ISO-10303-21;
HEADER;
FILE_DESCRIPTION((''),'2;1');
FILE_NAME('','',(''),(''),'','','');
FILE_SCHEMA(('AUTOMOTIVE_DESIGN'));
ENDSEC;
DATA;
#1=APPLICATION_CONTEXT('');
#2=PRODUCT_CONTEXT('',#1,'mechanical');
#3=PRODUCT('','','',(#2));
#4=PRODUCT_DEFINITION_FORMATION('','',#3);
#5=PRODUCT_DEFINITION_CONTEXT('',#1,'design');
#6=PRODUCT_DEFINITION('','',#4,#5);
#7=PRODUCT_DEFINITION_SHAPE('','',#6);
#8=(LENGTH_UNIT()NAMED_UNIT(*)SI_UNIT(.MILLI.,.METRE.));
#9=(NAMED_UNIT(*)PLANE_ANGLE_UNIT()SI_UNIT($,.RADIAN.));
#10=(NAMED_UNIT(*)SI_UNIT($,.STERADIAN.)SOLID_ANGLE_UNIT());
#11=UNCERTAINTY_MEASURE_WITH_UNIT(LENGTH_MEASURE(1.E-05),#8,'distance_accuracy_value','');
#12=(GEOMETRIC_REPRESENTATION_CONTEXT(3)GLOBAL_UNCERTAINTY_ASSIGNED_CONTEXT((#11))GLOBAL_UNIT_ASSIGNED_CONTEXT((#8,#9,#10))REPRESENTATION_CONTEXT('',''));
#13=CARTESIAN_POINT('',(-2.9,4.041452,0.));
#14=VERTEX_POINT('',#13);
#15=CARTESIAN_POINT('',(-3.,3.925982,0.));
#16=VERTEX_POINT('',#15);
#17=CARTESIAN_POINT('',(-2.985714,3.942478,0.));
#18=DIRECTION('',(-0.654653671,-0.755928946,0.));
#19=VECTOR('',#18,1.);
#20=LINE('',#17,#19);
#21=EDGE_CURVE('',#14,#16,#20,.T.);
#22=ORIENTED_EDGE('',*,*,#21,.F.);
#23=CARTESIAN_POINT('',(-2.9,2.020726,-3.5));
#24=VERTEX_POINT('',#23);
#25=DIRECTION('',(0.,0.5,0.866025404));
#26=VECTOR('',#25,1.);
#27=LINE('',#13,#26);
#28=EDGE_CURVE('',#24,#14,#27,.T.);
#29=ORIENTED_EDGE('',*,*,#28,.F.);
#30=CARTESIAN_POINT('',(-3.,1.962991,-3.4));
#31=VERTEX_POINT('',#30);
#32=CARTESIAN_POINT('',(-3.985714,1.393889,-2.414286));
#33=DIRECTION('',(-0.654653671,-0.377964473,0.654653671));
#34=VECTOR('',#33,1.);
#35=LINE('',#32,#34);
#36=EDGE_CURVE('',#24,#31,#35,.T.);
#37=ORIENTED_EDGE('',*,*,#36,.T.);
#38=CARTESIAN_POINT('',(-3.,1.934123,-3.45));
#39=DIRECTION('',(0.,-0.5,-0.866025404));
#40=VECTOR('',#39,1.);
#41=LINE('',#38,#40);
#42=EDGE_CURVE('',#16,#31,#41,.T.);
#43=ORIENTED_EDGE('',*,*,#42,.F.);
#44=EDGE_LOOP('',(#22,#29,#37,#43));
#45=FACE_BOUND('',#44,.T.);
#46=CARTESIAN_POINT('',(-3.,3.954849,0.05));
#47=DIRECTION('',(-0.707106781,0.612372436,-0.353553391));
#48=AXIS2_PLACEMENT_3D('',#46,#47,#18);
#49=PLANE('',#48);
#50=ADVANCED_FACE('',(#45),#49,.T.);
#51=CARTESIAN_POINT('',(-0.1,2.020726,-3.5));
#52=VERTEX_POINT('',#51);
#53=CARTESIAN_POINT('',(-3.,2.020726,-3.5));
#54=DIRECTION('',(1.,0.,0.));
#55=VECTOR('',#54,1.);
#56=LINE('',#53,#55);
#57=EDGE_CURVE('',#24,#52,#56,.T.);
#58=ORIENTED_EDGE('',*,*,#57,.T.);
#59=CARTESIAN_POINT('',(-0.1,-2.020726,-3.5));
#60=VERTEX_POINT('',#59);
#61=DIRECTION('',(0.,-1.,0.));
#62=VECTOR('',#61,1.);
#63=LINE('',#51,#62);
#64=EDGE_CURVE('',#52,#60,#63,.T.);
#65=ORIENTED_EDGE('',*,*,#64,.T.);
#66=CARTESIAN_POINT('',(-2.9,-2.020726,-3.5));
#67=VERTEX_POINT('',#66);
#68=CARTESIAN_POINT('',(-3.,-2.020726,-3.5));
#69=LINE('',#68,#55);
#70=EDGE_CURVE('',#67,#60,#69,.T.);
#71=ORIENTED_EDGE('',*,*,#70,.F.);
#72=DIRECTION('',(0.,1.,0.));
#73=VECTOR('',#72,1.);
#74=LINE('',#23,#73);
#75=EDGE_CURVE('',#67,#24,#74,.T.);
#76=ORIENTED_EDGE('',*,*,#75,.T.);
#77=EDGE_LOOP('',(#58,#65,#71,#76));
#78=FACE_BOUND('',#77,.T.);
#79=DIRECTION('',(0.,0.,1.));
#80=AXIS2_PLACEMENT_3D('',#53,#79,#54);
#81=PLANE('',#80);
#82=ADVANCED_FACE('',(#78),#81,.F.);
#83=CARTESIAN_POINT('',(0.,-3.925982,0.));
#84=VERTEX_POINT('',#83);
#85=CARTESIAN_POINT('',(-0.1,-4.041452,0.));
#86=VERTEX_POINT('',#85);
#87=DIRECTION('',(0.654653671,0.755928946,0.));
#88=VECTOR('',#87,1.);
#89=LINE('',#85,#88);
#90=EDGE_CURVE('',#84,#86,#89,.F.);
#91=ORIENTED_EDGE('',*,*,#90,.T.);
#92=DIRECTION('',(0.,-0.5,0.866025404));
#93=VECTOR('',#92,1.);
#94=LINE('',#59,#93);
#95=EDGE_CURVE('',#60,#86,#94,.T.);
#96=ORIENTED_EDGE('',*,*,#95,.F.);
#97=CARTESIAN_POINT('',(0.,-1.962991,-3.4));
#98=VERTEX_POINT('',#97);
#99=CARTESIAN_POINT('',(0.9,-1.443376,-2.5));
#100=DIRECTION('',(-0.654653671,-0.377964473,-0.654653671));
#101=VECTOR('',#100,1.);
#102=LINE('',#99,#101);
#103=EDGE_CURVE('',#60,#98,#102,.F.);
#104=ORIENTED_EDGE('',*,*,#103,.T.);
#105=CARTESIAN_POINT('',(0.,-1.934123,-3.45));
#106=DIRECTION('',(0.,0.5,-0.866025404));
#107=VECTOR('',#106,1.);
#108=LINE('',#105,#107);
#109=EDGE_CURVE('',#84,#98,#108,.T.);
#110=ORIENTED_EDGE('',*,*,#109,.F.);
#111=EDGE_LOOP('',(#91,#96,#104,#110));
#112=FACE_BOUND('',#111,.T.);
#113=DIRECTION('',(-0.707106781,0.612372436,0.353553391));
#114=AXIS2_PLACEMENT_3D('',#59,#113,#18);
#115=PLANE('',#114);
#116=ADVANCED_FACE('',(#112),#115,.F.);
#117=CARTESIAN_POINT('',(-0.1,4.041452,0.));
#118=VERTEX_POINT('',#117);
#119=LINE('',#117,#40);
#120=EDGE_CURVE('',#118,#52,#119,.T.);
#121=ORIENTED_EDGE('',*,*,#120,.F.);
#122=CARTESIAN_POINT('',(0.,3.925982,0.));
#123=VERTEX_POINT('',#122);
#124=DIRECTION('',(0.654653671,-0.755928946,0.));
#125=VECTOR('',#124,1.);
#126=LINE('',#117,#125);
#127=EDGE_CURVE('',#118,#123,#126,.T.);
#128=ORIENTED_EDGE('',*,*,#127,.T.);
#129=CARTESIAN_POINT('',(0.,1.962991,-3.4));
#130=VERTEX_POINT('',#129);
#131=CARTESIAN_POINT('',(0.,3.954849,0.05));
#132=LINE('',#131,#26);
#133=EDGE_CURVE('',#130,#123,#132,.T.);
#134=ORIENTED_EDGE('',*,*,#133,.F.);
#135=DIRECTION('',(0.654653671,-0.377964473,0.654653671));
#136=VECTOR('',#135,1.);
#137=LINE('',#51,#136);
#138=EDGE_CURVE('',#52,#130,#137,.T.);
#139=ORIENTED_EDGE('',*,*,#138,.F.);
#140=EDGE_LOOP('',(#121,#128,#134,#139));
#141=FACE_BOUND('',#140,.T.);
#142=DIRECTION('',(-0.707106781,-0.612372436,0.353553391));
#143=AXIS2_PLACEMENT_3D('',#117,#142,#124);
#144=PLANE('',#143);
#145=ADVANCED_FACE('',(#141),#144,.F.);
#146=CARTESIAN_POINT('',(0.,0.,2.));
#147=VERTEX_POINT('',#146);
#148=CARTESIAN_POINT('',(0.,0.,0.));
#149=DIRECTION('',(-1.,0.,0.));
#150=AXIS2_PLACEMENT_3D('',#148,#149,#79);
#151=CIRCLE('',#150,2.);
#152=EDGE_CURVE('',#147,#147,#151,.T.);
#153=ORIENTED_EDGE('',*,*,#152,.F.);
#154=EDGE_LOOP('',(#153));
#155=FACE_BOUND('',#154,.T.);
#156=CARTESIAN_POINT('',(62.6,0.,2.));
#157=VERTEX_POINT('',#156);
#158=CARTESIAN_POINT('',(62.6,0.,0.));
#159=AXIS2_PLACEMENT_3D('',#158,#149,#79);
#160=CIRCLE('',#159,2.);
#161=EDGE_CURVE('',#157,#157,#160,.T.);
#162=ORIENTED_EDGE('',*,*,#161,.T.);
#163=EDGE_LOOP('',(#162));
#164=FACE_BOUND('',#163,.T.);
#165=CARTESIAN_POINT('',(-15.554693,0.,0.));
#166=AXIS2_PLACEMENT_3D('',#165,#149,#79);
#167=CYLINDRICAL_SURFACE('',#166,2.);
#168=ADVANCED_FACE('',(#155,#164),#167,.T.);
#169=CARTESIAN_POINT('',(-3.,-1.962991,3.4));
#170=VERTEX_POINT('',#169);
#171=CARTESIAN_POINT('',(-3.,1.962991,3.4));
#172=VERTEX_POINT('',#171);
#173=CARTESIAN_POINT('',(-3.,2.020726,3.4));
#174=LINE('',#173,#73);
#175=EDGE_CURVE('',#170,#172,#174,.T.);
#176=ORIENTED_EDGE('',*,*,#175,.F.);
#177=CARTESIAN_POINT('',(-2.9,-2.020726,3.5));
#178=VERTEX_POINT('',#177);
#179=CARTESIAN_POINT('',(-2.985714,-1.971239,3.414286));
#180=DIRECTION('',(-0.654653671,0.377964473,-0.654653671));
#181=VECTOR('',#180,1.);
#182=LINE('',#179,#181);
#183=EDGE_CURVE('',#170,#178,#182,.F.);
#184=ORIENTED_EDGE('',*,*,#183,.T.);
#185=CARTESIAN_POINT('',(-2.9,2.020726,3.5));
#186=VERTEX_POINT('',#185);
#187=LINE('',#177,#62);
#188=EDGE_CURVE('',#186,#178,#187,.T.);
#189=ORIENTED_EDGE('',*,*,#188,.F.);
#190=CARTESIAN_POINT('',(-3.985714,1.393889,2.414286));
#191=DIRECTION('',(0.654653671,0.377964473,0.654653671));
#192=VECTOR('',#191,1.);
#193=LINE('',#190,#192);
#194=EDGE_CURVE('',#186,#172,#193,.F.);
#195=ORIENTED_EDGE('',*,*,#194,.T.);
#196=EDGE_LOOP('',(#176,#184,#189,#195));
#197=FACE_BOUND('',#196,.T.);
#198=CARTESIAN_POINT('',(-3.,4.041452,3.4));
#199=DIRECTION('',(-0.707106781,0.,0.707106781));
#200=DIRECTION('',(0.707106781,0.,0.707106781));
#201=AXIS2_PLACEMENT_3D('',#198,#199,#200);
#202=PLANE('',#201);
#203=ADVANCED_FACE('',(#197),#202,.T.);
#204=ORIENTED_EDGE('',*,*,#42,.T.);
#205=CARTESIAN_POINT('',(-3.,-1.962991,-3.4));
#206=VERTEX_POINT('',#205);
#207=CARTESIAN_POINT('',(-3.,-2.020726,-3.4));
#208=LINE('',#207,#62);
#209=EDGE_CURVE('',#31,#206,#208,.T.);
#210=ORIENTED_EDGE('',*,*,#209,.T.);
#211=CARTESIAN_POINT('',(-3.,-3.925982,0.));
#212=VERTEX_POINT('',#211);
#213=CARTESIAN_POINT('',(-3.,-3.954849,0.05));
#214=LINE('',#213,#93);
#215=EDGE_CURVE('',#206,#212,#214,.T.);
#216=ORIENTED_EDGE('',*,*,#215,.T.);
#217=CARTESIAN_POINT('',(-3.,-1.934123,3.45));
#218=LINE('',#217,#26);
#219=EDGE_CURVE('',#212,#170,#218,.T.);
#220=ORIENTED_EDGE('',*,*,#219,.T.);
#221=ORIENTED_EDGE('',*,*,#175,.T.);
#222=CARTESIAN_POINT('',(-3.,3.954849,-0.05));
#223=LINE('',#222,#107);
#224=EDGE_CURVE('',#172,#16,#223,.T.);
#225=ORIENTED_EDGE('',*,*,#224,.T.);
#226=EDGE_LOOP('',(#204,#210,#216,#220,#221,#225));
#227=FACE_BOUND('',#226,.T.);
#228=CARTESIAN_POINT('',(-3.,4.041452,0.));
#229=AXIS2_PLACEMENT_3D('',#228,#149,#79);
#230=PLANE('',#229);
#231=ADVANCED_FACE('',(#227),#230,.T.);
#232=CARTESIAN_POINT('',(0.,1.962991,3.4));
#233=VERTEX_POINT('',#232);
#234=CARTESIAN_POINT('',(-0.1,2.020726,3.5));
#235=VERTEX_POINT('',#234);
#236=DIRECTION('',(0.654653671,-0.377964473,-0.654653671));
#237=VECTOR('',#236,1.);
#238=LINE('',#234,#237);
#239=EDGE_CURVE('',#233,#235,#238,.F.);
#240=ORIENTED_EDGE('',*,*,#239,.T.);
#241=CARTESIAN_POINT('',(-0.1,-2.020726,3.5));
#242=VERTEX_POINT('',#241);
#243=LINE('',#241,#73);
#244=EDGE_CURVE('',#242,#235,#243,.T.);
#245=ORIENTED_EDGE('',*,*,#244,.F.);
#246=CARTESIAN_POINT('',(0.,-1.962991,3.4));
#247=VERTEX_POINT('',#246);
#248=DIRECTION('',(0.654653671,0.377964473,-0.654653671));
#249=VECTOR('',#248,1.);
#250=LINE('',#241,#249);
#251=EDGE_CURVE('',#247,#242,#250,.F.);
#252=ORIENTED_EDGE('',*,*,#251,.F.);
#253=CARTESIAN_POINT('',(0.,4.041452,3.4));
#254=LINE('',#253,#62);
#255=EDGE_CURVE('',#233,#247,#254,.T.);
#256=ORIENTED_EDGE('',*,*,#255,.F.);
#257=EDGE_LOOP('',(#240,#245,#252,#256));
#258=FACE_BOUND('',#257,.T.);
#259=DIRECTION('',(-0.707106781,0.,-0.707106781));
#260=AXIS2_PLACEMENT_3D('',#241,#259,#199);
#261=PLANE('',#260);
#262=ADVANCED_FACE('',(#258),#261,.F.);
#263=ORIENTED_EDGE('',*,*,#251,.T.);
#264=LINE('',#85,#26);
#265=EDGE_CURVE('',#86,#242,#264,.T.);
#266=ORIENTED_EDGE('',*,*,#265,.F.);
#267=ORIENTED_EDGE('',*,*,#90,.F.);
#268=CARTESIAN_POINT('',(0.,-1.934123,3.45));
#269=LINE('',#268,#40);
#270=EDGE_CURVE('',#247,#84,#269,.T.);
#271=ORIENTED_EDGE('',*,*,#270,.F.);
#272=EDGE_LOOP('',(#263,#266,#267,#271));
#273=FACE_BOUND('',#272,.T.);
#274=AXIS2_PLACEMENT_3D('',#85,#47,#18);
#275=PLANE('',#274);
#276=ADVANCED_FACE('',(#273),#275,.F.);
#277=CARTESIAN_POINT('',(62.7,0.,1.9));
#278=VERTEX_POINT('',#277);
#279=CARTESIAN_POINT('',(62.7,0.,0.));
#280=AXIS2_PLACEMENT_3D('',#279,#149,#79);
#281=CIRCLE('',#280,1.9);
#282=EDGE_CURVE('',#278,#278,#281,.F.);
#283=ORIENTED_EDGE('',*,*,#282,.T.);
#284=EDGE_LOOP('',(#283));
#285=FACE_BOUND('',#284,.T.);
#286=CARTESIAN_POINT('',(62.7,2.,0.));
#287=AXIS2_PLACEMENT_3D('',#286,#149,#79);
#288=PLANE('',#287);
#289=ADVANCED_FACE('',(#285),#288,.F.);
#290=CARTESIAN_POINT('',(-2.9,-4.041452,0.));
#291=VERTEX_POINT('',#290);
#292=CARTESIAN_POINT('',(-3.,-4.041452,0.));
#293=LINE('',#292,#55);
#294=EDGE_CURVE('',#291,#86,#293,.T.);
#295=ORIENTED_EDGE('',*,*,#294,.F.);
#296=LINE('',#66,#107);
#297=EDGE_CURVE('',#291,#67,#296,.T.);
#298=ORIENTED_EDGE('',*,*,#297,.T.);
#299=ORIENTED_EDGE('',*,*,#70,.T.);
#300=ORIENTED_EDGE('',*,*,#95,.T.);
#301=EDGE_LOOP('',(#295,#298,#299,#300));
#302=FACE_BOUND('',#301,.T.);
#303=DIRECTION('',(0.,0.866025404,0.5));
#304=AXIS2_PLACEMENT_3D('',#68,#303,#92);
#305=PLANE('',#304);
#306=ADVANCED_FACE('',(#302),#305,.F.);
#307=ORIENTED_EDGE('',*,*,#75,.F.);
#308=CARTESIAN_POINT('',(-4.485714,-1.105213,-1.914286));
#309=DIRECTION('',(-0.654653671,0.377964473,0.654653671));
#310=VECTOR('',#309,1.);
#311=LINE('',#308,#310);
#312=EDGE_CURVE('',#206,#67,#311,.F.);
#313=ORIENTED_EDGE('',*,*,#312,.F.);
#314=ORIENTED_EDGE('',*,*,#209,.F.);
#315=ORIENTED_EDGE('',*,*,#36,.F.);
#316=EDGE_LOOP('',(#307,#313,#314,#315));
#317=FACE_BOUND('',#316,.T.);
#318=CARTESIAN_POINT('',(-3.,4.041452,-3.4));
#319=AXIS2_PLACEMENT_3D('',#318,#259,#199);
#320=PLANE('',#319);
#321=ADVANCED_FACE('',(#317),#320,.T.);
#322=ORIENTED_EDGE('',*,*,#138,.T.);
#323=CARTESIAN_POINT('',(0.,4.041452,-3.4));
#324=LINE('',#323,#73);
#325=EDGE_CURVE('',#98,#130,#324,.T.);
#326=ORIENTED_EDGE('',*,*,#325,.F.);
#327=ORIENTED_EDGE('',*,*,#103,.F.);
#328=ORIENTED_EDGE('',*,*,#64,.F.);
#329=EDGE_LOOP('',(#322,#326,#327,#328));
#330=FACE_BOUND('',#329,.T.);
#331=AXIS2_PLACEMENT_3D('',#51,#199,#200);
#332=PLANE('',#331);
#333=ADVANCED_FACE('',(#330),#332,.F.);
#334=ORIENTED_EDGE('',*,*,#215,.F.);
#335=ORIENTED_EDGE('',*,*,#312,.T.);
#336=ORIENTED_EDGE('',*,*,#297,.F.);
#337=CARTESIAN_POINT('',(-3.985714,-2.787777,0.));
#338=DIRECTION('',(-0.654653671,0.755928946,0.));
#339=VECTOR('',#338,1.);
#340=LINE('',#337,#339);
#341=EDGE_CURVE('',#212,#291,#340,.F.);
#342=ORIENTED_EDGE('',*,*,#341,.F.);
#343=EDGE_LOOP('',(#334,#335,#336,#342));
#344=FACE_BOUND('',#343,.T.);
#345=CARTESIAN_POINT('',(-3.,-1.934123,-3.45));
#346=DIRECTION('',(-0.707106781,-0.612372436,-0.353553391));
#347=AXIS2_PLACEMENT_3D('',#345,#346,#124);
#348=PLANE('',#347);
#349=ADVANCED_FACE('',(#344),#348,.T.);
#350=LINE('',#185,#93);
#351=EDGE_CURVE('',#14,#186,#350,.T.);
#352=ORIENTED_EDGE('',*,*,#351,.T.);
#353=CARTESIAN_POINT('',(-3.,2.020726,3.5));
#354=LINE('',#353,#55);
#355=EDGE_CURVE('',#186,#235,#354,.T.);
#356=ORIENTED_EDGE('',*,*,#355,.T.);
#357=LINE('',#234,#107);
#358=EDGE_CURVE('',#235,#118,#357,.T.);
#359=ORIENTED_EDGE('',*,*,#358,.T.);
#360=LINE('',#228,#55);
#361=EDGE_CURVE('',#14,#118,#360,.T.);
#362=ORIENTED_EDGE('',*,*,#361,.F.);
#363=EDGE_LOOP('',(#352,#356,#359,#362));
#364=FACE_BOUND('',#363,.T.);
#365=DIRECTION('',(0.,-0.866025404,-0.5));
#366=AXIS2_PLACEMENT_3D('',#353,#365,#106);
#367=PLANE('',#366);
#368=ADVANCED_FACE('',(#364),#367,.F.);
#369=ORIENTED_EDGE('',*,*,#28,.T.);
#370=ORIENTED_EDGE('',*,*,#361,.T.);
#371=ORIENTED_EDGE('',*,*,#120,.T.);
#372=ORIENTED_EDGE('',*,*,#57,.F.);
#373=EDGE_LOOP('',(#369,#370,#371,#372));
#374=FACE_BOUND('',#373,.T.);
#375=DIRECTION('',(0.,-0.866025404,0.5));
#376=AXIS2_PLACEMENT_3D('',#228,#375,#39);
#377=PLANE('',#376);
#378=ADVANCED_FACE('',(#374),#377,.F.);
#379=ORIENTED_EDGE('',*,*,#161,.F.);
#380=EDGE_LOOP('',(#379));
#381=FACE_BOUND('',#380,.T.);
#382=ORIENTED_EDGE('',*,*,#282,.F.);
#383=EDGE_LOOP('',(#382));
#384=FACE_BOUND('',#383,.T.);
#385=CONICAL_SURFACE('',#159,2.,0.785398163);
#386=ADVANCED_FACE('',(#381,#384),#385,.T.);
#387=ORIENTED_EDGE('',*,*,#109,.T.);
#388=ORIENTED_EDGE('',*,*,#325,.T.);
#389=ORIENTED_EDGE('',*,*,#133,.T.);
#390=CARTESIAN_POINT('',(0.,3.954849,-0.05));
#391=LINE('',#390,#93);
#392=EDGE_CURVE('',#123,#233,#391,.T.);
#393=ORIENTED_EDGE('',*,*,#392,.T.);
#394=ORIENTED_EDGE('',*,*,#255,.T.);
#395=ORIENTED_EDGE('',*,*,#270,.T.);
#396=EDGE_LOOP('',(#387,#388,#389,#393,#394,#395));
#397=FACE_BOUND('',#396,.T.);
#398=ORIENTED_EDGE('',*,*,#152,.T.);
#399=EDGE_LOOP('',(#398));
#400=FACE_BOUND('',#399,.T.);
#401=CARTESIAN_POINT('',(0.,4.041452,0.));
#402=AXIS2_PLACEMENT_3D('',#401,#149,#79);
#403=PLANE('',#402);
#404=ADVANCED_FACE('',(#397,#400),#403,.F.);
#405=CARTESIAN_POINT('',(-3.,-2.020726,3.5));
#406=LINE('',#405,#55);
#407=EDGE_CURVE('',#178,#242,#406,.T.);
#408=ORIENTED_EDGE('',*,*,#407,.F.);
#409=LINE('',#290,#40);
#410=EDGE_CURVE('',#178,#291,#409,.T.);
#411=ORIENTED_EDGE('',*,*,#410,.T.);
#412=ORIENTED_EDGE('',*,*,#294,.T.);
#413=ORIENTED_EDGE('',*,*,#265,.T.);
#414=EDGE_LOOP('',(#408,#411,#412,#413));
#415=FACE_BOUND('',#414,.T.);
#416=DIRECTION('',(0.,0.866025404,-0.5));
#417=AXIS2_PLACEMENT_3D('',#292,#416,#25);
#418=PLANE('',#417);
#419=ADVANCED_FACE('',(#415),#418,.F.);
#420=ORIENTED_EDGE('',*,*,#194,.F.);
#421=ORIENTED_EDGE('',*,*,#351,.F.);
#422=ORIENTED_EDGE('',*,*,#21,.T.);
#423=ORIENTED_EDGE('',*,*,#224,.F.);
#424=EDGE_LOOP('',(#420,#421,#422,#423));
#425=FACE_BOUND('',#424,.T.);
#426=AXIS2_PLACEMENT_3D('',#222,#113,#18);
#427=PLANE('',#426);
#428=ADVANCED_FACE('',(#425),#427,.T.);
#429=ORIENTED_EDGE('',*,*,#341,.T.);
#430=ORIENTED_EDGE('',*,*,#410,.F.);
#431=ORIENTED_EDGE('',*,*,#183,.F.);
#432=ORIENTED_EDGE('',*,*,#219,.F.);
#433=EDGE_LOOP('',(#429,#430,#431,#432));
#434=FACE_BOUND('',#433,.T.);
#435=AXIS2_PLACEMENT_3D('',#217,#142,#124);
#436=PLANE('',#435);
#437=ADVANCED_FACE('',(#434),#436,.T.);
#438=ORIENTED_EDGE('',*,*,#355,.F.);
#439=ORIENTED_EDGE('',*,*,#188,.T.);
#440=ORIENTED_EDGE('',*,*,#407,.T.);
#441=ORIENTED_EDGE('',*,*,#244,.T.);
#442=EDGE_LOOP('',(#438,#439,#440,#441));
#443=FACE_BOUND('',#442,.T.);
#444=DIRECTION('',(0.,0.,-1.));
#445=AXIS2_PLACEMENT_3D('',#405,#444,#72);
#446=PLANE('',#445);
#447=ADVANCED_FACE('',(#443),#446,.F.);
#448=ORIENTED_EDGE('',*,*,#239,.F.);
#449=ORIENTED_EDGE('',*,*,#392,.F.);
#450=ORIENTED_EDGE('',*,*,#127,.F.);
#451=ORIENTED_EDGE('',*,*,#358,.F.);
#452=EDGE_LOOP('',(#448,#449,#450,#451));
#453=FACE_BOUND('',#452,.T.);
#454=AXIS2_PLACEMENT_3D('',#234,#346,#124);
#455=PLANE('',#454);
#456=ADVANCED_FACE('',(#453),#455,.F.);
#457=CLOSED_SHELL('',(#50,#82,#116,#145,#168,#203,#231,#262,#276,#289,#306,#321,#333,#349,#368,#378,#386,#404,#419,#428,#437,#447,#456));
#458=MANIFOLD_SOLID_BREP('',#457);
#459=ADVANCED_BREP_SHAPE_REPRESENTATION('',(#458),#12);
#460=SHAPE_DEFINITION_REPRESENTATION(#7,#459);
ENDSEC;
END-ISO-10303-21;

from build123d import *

# Parameters (mm, degrees)
SKETCH1_W           = 62.7
SKETCH1_H           = 2
BOSS_EXTRUDE1_DEPTH = 3
CHAMFER1_SIZE       = 0.1
CHAMFER2_SIZE       = 0.1


with BuildPart() as part:
    # Sketch1 → Revolve1 (revolve)
    with BuildSketch(Plane.XY, mode=Mode.PRIVATE) as revolve1_sk:
        with Locations((31.35, 1)):
            Rectangle(SKETCH1_W, SKETCH1_H)
    revolve(revolve1_sk.sketch.rotate(Axis((-15.554693394, 0, 0), (1, 0, 0)), 90), axis=Axis((-15.554693394, 0, 0), (1, 0, 0)))

    # Sketch2 → Boss-Extrude1 (add)
    with BuildSketch(Plane.ZY):
        Polygon((0, 4.041451884), (-3.5, 2.020725942), (-3.5, -2.020725942), (0, -4.041451884), (3.5, -2.020725942), (3.5, 2.020725942), align=None)
    extrude(amount=BOSS_EXTRUDE1_DEPTH)

    # Chamfer1
    chamfer1_edges = [part.edges().sort_by_distance(p)[0] for p in [
        (0, 3.031088913, -1.75),
        (0, 0, -3.5),
        (0, -3.031088913, -1.75),
        (0, -3.031088913, 1.75),
        (0, 0, 3.5),
        (-3, 3.031088913, 1.75),
        (-3, 3.031088913, -1.75),
        (-3, 0, -3.5),
        (-3, -3.031088913, -1.75),
        (-3, -3.031088913, 1.75),
        (-3, 0, 3.5),
        (0, 3.031088913, 1.75),
    ]]
    chamfer(chamfer1_edges, length=CHAMFER1_SIZE)

    # Chamfer2
    chamfer2_edges = [part.edges().sort_by_distance(p)[0] for p in [
        (62.7, 0, -2),
    ]]
    chamfer(chamfer2_edges, length=CHAMFER2_SIZE)


solid = part.part
